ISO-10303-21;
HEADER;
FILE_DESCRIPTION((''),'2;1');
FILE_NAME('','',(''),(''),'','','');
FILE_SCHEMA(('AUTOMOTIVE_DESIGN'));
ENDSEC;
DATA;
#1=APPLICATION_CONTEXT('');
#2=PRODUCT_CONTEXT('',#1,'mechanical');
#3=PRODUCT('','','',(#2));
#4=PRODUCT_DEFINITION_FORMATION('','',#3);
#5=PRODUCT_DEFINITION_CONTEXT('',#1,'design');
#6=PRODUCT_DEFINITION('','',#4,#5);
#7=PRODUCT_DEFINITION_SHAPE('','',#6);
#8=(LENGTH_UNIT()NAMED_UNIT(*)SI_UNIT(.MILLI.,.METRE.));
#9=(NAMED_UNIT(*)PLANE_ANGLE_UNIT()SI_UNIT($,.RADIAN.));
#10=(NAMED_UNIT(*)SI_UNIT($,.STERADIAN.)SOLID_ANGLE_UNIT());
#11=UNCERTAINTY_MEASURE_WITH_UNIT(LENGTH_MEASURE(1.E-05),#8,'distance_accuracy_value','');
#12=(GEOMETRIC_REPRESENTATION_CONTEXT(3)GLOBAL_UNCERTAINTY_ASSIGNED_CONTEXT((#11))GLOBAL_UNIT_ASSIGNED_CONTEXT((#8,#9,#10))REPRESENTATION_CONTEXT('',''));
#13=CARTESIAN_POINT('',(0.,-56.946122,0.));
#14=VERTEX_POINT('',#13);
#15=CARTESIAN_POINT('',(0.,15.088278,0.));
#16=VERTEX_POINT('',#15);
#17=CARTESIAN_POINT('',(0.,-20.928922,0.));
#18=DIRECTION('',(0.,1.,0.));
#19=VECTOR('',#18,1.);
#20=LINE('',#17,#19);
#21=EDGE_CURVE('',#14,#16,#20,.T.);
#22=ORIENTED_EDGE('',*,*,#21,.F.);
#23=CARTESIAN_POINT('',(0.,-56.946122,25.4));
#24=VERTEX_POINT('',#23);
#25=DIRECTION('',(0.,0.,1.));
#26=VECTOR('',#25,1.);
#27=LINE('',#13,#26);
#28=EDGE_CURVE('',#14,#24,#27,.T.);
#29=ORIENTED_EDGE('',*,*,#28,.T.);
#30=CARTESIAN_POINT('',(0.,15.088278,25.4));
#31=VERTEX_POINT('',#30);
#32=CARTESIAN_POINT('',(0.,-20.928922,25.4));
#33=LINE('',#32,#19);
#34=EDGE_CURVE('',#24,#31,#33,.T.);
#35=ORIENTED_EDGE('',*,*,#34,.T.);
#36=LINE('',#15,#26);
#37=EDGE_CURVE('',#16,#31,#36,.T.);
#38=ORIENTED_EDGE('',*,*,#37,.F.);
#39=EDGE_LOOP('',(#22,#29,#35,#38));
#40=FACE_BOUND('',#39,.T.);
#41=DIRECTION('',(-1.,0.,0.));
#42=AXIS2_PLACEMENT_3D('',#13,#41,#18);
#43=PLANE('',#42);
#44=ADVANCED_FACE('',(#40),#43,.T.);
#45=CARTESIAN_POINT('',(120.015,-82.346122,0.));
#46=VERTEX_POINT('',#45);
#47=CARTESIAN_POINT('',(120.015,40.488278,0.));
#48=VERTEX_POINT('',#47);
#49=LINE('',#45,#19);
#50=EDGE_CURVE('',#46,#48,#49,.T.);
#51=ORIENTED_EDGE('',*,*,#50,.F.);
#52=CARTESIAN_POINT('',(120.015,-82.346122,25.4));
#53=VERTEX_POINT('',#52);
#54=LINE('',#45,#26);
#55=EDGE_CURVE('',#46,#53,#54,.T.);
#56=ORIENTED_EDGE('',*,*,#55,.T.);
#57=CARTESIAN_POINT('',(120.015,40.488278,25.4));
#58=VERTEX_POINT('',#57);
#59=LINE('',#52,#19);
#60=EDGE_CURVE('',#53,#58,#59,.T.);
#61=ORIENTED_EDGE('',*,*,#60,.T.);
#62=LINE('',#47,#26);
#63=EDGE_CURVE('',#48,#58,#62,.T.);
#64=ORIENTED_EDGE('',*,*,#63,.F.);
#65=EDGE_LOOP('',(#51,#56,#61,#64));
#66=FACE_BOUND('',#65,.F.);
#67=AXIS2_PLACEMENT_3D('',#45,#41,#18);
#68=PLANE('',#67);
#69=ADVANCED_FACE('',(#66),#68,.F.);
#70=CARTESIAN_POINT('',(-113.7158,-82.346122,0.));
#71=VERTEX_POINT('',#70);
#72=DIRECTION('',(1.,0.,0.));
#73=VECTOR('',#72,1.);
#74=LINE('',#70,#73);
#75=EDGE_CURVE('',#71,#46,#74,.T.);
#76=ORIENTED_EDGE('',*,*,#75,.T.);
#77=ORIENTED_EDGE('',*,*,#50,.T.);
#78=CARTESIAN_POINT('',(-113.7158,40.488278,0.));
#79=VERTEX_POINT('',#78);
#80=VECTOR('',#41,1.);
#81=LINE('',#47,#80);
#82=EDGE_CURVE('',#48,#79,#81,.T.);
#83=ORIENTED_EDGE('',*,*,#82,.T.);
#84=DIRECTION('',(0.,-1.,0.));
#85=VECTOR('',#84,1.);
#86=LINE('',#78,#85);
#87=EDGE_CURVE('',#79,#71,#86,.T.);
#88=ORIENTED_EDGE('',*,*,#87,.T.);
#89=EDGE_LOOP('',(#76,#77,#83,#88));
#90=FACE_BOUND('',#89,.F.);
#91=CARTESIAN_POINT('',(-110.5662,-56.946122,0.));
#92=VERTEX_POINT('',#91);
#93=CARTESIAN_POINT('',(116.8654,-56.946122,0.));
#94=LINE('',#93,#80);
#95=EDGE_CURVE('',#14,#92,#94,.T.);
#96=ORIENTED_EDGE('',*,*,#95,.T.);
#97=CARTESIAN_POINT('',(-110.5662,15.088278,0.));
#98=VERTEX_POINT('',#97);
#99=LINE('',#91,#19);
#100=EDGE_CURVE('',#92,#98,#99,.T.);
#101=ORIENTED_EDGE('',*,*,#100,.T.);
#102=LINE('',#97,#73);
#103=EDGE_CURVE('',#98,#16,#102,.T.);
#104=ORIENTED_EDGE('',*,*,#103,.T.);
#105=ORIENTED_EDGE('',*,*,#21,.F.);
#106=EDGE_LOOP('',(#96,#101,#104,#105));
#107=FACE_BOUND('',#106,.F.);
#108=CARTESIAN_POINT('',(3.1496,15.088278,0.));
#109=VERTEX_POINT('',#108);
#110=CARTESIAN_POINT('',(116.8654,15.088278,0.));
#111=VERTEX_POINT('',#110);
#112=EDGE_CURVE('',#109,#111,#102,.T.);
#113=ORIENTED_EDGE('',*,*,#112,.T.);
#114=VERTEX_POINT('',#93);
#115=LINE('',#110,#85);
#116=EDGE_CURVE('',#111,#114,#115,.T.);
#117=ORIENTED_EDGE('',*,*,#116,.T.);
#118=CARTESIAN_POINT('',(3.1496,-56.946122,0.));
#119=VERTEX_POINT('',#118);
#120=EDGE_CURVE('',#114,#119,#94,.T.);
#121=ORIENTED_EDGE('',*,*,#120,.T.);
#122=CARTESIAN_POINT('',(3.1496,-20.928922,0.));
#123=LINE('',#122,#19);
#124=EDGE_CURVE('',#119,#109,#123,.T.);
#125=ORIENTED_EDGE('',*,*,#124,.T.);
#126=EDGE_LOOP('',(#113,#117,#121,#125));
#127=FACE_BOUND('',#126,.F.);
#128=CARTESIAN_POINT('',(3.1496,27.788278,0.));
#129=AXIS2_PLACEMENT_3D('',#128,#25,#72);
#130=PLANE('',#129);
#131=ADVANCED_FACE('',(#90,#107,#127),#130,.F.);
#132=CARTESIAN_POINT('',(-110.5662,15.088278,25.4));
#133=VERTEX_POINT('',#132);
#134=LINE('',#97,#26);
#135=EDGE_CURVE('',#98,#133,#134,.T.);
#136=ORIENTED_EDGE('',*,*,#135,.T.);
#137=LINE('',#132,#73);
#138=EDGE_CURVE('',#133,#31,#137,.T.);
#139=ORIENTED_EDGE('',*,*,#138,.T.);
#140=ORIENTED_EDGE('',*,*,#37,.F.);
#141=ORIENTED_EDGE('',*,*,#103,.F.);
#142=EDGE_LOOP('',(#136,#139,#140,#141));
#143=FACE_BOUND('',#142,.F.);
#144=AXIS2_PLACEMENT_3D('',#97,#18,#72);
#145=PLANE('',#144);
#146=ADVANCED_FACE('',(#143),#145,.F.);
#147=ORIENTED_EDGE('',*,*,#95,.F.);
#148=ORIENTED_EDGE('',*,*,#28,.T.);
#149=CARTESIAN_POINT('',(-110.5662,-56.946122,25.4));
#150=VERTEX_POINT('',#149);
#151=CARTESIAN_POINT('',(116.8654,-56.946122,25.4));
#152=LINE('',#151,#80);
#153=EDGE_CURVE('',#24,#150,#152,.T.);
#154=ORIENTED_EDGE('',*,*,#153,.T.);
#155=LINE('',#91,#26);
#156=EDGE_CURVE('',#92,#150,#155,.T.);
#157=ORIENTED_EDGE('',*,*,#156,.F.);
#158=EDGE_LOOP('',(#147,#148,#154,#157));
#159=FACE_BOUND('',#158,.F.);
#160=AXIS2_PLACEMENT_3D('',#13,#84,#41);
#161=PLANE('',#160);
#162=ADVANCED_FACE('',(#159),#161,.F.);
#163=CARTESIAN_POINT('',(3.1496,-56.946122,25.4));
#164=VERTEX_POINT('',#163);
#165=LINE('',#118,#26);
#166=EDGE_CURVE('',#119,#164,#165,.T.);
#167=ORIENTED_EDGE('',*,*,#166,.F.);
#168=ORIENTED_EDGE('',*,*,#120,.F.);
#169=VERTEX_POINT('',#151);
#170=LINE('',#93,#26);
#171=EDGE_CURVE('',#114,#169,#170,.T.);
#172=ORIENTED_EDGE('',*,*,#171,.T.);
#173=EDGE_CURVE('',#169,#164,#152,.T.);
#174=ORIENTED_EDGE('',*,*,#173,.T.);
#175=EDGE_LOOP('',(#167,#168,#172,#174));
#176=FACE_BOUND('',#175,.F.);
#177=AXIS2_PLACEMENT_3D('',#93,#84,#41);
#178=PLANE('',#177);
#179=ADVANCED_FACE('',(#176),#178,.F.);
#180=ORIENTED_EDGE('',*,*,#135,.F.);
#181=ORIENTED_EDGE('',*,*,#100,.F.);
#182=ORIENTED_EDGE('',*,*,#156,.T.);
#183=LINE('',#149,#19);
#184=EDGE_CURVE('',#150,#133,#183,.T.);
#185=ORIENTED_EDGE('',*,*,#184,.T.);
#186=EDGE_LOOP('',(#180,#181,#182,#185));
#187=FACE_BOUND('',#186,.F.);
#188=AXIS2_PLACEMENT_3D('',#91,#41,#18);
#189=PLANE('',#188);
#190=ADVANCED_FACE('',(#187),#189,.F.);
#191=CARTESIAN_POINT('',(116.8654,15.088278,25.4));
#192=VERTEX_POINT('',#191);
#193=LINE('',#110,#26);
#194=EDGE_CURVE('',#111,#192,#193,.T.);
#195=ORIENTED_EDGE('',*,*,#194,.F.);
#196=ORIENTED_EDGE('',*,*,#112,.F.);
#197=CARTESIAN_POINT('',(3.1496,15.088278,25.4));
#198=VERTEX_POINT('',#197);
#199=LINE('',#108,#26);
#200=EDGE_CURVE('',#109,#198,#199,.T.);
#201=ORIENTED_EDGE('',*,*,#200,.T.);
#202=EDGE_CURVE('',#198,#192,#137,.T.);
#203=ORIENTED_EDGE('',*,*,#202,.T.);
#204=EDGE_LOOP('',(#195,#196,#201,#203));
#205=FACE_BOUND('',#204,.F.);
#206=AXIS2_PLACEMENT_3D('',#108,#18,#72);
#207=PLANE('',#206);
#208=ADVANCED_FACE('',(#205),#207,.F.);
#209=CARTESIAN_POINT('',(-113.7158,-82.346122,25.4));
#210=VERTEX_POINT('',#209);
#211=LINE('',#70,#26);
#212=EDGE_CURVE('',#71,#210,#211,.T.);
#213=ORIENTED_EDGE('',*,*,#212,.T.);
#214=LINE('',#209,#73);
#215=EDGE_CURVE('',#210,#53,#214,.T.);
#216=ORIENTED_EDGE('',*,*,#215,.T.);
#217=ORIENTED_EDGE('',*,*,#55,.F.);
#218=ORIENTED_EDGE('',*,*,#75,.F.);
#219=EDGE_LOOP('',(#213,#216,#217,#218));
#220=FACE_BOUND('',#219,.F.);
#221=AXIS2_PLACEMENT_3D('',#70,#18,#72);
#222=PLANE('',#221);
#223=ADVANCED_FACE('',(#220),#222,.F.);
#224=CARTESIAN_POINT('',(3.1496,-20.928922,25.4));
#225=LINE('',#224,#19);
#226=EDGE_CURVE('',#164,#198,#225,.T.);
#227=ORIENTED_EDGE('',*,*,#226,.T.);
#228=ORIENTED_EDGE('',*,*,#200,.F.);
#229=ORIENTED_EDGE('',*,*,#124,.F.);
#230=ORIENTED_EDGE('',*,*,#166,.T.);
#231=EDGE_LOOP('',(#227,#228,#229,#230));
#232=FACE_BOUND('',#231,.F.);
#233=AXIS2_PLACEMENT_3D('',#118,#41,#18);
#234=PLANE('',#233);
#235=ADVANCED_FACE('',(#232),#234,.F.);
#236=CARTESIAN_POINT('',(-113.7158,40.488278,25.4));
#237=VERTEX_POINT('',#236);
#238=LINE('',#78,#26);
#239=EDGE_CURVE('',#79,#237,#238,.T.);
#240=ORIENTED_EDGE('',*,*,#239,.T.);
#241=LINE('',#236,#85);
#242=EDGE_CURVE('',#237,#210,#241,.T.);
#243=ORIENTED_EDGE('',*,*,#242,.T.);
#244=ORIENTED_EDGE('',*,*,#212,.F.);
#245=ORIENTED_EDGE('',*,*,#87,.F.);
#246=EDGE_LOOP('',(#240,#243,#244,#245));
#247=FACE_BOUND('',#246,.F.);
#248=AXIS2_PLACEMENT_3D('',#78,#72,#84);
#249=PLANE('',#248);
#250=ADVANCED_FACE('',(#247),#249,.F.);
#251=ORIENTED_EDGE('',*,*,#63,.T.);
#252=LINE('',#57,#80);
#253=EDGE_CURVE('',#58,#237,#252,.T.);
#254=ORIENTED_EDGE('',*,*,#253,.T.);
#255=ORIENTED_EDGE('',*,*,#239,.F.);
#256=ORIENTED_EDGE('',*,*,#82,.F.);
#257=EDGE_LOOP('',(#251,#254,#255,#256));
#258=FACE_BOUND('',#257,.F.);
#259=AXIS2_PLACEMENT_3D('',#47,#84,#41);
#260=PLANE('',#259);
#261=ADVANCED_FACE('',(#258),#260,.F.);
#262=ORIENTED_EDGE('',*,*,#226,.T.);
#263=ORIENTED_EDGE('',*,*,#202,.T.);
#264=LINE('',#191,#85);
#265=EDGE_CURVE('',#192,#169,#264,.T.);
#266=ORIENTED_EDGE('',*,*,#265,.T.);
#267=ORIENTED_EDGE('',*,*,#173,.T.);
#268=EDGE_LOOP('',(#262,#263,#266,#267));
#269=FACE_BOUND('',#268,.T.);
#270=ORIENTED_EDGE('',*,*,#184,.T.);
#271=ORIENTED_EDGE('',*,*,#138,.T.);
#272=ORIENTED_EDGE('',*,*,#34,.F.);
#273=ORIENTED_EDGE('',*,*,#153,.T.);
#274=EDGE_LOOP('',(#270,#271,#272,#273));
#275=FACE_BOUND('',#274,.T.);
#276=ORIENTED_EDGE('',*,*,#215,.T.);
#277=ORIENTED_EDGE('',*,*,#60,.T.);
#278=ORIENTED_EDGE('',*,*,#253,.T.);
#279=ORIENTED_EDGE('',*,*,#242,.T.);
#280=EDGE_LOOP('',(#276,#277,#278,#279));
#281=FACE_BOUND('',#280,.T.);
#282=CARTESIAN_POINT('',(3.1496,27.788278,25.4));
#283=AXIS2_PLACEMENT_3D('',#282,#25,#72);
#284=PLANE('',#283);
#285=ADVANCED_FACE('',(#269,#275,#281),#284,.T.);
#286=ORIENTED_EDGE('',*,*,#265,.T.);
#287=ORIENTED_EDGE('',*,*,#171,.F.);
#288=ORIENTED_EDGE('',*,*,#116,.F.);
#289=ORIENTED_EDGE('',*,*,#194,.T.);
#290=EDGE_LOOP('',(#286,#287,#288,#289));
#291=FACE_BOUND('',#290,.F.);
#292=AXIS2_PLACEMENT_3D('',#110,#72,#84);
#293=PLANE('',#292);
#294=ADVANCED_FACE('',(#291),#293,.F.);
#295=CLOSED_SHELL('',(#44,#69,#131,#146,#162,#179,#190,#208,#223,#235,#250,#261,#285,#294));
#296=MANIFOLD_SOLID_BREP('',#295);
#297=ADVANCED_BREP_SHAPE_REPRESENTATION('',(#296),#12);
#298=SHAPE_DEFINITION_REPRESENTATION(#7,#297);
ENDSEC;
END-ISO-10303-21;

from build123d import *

# Parameters (mm, degrees)
F0_W     = 3.1496
F0_H     = 72.0344
F1_DEPTH = 25.4


with BuildPart() as f1:
    # F0 (on Top) → F1 (new body)
    with BuildSketch(Plane.XY):
        Polygon((116.8654, 40.488278), (-110.5662, 40.488278), (-110.5662, 15.088278), (0, 15.088278), (3.1496, 15.088278), (116.8654, 15.088278), align=None)
        Polygon((0, -56.946122), (-110.5662, -56.946122), (-110.5662, -82.346122), (116.8654, -82.346122), (116.8654, -56.946122), (3.1496, -56.946122), align=None)
        Polygon((-110.5662, 15.088278), (-110.5662, 40.488278), (-113.7158, 40.488278), (-113.7158, -82.346122), (-110.5662, -82.346122), (-110.5662, -56.946122), align=None)
        with Locations((1.5748, -20.928922)):
            Rectangle(F0_W, F0_H)
        Polygon((120.015, 40.488278), (116.8654, 40.488278), (116.8654, 15.088278), (116.8654, -56.946122), (116.8654, -82.346122), (120.015, -82.346122), align=None)
    extrude(amount=F1_DEPTH)


solid = f1.part
